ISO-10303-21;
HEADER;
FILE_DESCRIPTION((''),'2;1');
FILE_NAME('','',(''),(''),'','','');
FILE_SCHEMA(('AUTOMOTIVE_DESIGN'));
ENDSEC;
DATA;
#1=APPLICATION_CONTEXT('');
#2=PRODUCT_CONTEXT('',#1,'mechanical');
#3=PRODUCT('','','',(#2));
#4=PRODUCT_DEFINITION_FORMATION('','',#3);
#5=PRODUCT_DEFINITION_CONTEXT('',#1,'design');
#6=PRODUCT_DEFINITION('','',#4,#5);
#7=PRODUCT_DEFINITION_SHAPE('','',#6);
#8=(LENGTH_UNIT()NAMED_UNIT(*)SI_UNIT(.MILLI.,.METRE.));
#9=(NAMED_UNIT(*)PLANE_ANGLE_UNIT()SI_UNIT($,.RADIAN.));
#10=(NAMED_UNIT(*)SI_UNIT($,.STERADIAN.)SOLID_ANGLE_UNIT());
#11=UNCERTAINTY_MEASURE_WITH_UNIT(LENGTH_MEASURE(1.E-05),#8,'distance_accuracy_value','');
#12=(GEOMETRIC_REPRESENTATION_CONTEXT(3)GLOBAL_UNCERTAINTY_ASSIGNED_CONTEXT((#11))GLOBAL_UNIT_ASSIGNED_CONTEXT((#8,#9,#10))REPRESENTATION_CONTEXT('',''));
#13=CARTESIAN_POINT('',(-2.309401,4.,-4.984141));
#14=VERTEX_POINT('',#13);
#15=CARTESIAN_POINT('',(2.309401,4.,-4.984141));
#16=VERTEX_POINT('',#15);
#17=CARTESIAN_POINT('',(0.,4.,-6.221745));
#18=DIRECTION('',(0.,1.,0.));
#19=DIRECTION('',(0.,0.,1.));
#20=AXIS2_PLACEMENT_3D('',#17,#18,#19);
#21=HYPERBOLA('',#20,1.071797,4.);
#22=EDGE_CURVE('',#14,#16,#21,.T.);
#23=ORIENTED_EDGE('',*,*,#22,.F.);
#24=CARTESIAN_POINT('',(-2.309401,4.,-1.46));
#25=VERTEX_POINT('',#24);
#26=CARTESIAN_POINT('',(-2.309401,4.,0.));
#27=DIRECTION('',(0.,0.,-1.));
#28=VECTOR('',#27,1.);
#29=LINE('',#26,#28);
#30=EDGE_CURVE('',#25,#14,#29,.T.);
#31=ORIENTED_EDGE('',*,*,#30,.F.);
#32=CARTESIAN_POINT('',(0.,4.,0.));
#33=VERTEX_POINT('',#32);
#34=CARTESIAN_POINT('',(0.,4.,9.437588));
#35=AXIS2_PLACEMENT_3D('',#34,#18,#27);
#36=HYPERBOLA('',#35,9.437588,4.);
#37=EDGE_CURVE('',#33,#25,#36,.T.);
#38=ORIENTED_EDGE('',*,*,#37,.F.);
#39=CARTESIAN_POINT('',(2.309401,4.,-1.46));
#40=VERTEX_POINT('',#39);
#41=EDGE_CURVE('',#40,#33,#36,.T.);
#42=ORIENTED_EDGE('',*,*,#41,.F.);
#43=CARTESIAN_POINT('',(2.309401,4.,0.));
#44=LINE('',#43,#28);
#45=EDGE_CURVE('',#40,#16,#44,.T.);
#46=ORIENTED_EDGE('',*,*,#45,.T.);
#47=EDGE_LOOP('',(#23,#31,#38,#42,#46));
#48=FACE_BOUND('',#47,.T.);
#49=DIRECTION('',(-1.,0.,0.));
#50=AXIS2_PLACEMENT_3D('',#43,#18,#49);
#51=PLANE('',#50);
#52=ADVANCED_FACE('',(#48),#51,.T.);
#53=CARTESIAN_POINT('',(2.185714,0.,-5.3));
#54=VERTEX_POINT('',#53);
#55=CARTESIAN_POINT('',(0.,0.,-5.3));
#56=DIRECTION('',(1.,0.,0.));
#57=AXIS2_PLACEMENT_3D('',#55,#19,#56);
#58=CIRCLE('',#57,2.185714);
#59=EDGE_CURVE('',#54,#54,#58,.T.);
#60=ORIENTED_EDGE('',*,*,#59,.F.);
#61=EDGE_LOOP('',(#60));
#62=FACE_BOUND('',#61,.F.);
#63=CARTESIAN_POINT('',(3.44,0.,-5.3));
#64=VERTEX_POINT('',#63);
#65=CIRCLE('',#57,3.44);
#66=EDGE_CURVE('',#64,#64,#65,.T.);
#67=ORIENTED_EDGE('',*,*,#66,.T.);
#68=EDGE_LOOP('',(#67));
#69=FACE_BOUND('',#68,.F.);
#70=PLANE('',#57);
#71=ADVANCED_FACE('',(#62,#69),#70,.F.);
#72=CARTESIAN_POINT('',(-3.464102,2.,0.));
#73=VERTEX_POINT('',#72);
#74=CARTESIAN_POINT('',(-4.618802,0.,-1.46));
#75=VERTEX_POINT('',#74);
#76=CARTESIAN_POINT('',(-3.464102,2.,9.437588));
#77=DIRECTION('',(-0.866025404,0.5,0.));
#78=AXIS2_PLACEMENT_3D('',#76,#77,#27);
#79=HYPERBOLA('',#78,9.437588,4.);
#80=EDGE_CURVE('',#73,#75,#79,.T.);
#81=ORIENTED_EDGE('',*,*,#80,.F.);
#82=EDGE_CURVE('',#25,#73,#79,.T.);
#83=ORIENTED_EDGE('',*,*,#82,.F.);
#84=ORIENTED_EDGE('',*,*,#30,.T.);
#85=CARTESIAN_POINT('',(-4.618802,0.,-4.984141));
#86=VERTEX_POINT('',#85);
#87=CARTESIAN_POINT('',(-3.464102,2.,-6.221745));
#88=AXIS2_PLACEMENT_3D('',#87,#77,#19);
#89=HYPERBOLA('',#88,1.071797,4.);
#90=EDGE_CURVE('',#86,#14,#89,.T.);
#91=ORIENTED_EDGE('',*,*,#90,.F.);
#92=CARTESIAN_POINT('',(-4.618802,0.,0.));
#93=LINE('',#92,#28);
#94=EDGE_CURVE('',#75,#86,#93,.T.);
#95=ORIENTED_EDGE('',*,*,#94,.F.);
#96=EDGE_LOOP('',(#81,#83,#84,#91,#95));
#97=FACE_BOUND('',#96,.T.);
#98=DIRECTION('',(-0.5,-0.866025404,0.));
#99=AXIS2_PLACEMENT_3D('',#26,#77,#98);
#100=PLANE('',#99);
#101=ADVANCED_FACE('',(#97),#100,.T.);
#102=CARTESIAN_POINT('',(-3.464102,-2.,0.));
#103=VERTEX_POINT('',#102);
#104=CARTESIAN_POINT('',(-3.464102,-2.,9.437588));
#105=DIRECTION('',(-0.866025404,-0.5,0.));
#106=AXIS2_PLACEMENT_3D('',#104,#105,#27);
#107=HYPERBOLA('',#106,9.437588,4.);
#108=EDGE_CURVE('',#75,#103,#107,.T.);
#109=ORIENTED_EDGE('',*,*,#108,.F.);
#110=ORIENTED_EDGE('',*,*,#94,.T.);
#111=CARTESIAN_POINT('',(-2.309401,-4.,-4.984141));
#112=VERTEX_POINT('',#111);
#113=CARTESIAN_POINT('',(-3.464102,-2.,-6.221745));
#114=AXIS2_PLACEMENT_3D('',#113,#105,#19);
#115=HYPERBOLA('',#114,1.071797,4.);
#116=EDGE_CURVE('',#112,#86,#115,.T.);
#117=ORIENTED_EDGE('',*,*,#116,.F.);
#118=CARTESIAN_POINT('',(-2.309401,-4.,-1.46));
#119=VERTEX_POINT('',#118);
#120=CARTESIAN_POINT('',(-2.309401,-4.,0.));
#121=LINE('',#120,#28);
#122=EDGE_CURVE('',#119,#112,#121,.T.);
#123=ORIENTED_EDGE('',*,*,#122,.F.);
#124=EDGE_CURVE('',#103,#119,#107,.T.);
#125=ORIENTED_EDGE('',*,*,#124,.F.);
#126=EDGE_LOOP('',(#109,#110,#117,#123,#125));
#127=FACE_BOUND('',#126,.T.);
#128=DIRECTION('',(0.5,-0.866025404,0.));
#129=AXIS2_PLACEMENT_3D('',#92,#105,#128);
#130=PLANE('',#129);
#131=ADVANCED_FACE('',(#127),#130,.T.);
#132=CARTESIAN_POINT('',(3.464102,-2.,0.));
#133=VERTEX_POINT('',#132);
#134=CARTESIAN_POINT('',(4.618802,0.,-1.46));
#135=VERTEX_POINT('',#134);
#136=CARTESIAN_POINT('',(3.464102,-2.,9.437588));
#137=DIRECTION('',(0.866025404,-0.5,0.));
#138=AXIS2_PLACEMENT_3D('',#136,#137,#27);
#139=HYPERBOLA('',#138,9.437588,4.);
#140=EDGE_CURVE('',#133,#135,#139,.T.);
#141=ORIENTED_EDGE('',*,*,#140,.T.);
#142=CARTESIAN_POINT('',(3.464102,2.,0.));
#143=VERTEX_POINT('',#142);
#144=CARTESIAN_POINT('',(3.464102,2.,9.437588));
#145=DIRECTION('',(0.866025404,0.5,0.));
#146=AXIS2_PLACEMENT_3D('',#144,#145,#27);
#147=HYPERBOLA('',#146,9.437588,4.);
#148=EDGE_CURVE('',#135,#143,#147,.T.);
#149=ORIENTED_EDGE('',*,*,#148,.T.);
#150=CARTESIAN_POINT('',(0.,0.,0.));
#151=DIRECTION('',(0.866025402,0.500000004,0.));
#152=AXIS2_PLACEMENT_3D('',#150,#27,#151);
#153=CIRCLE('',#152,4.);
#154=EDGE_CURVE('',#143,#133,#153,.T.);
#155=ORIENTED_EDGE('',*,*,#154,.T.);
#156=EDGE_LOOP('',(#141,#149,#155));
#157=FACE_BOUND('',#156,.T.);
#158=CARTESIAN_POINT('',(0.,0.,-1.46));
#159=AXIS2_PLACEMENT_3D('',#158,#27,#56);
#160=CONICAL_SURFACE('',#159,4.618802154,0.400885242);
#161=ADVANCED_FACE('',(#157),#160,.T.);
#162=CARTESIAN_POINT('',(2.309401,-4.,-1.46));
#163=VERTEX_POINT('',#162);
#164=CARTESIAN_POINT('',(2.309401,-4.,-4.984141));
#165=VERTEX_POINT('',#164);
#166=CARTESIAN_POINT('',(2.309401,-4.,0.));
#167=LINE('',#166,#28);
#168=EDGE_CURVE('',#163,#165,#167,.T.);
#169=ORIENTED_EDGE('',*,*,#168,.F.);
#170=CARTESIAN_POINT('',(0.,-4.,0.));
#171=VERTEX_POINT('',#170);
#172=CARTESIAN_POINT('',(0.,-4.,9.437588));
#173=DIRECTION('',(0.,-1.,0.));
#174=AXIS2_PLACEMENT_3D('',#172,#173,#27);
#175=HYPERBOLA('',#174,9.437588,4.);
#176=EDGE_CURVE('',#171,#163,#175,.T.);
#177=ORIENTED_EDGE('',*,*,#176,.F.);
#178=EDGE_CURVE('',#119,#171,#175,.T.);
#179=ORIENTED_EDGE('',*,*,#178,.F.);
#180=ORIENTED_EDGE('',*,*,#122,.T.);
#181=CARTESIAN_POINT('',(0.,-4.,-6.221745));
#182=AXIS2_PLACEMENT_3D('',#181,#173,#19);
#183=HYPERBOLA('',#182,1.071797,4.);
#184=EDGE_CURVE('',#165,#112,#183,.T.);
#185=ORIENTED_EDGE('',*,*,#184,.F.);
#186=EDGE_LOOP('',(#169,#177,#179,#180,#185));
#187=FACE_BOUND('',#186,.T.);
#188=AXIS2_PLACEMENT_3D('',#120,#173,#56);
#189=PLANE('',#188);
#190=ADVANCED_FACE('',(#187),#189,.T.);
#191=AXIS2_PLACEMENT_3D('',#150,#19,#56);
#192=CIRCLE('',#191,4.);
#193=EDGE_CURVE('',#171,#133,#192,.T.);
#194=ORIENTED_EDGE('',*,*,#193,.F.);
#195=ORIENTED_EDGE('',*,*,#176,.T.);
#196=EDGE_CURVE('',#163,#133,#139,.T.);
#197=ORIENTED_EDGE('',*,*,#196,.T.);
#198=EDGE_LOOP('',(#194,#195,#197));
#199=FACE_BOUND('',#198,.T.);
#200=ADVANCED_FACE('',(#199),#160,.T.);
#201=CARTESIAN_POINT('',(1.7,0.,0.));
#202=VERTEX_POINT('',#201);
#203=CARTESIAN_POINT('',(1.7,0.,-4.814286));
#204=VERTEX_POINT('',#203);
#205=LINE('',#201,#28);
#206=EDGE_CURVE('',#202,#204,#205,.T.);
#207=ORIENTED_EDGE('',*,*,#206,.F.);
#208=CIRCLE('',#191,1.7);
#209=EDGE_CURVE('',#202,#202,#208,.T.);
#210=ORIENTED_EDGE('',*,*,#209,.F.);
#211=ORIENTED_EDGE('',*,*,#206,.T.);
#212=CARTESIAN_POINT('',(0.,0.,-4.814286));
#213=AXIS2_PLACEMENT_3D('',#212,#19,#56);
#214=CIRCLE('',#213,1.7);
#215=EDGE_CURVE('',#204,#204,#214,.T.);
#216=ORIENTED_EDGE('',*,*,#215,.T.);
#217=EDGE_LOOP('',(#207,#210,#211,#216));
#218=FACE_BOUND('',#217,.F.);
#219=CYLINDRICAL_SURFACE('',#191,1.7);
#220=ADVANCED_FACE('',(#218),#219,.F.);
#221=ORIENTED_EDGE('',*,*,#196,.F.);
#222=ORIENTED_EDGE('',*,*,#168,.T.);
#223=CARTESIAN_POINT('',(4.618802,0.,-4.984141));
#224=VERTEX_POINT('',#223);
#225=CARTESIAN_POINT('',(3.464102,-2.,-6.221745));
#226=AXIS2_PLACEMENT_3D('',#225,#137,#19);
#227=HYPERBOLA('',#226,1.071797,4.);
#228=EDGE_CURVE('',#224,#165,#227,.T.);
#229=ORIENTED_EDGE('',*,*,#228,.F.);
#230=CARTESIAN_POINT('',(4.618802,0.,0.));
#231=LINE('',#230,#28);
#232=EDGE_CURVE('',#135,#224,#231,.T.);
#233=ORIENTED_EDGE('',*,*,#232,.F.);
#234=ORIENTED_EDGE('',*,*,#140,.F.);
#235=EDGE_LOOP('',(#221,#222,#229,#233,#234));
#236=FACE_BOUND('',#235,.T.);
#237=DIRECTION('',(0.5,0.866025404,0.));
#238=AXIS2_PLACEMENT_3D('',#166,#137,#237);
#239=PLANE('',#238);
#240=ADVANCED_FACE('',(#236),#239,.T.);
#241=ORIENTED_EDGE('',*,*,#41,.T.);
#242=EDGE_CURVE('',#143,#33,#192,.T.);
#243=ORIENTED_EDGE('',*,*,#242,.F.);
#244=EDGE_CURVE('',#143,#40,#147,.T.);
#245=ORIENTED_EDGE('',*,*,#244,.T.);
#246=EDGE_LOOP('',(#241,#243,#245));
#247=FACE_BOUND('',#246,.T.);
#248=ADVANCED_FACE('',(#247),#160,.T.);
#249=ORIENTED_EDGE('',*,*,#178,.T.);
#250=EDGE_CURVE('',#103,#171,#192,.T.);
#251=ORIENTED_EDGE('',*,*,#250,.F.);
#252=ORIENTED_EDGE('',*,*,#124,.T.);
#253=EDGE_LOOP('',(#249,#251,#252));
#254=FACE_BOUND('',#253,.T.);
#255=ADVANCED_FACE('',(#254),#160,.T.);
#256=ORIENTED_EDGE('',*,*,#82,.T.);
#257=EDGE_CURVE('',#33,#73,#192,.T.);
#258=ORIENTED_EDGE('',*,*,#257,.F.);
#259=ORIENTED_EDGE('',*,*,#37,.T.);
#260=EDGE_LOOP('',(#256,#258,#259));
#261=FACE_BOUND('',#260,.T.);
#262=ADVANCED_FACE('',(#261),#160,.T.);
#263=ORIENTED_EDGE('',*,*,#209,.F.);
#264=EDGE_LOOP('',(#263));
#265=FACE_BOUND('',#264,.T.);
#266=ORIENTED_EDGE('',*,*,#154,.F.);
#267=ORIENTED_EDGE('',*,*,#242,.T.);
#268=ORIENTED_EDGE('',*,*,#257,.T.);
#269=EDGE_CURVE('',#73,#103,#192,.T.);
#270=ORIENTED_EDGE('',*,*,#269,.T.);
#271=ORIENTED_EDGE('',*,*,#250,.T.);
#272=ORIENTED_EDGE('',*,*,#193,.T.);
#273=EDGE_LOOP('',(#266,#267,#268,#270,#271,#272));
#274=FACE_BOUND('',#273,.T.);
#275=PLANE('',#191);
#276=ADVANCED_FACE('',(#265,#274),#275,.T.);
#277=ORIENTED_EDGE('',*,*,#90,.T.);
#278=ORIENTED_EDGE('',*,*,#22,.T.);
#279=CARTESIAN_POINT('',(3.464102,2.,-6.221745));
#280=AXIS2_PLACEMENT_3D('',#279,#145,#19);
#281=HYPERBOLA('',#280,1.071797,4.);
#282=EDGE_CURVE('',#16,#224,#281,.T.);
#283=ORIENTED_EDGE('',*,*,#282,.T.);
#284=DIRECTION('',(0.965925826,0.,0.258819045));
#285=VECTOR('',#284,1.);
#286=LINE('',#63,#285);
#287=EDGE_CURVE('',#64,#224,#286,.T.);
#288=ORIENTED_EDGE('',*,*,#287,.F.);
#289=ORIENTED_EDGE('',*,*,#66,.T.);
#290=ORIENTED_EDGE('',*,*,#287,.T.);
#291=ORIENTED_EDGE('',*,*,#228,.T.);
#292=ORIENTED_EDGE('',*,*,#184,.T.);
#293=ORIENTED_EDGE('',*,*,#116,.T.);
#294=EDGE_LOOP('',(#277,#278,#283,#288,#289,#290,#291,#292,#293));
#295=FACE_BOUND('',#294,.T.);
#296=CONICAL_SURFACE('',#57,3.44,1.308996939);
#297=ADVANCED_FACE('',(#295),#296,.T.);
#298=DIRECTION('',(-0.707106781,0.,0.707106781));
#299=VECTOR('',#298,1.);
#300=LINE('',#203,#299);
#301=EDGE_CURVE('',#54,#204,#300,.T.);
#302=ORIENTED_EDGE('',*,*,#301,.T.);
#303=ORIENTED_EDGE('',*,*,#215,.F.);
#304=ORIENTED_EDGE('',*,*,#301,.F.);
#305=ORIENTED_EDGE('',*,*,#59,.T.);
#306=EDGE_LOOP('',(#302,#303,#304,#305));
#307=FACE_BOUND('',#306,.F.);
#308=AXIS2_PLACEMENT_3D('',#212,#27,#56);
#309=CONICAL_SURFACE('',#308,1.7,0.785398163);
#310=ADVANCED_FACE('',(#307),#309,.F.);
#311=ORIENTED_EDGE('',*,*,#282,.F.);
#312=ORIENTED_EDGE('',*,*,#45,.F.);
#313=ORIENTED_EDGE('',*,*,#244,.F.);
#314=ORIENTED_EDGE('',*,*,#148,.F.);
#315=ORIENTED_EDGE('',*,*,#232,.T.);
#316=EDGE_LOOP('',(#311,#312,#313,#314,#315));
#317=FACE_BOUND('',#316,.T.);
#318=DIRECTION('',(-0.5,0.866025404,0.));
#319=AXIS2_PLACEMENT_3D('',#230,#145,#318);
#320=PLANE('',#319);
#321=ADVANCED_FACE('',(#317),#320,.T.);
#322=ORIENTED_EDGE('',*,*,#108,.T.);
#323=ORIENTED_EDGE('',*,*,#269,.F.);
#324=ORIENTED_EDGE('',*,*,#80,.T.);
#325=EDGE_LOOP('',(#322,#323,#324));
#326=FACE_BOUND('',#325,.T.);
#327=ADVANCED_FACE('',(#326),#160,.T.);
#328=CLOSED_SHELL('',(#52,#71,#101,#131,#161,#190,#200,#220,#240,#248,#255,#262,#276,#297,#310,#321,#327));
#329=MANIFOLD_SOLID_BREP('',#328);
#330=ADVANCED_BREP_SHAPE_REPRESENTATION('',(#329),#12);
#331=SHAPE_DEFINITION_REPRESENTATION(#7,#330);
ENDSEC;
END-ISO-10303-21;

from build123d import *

# Parameters (mm, degrees)
BASENUT_DEPTH   = 5.3
SKETCH3_R       = 1.7
HOLE_DEPTH      = 6.3
ENDCHAMFER_SIZE = 0.485714286


with BuildPart() as part:
    # Sketch1 → BaseNut (new body)
    with BuildSketch(Plane.XY):
        Polygon((2.309401077, -4), (4.618802154, 0), (2.309401077, 4), (-2.309401077, 4), (-4.618802154, 0), (-2.309401077, -4), align=None)
    extrude(amount=-BASENUT_DEPTH)

    # Sketch2 → Double-Chamfer (revolve, cut)
    with BuildSketch(Plane(origin=(0.481162538, 0, -5.099964691), x_dir=(0, 0, -1), z_dir=(0, -1, 0))):
        Polygon((-0.115823776, 4.137639616), (0.200035309, 4.137639616), (0.200035309, 2.958837462), align=None)
        Polygon((-5.099964691, 4.137639616), (-3.639964691, 4.137639616), (-5.099964691, 3.518837462), align=None)
    revolve(axis=Axis((0, 0, -4.462865094), (0, 0, 1)), mode=Mode.SUBTRACT)

    # Sketch3 → Hole (cut, through all)
    with BuildSketch(Plane.XY):
        Circle(SKETCH3_R)
    extrude(amount=-HOLE_DEPTH, mode=Mode.SUBTRACT)

    # EndChamfer
    endchamfer_edges = [part.edges().sort_by_distance(p)[0] for p in [
        (-1.7, 0, -5.3),
    ]]
    chamfer(endchamfer_edges, length=ENDCHAMFER_SIZE)


solid = part.part
